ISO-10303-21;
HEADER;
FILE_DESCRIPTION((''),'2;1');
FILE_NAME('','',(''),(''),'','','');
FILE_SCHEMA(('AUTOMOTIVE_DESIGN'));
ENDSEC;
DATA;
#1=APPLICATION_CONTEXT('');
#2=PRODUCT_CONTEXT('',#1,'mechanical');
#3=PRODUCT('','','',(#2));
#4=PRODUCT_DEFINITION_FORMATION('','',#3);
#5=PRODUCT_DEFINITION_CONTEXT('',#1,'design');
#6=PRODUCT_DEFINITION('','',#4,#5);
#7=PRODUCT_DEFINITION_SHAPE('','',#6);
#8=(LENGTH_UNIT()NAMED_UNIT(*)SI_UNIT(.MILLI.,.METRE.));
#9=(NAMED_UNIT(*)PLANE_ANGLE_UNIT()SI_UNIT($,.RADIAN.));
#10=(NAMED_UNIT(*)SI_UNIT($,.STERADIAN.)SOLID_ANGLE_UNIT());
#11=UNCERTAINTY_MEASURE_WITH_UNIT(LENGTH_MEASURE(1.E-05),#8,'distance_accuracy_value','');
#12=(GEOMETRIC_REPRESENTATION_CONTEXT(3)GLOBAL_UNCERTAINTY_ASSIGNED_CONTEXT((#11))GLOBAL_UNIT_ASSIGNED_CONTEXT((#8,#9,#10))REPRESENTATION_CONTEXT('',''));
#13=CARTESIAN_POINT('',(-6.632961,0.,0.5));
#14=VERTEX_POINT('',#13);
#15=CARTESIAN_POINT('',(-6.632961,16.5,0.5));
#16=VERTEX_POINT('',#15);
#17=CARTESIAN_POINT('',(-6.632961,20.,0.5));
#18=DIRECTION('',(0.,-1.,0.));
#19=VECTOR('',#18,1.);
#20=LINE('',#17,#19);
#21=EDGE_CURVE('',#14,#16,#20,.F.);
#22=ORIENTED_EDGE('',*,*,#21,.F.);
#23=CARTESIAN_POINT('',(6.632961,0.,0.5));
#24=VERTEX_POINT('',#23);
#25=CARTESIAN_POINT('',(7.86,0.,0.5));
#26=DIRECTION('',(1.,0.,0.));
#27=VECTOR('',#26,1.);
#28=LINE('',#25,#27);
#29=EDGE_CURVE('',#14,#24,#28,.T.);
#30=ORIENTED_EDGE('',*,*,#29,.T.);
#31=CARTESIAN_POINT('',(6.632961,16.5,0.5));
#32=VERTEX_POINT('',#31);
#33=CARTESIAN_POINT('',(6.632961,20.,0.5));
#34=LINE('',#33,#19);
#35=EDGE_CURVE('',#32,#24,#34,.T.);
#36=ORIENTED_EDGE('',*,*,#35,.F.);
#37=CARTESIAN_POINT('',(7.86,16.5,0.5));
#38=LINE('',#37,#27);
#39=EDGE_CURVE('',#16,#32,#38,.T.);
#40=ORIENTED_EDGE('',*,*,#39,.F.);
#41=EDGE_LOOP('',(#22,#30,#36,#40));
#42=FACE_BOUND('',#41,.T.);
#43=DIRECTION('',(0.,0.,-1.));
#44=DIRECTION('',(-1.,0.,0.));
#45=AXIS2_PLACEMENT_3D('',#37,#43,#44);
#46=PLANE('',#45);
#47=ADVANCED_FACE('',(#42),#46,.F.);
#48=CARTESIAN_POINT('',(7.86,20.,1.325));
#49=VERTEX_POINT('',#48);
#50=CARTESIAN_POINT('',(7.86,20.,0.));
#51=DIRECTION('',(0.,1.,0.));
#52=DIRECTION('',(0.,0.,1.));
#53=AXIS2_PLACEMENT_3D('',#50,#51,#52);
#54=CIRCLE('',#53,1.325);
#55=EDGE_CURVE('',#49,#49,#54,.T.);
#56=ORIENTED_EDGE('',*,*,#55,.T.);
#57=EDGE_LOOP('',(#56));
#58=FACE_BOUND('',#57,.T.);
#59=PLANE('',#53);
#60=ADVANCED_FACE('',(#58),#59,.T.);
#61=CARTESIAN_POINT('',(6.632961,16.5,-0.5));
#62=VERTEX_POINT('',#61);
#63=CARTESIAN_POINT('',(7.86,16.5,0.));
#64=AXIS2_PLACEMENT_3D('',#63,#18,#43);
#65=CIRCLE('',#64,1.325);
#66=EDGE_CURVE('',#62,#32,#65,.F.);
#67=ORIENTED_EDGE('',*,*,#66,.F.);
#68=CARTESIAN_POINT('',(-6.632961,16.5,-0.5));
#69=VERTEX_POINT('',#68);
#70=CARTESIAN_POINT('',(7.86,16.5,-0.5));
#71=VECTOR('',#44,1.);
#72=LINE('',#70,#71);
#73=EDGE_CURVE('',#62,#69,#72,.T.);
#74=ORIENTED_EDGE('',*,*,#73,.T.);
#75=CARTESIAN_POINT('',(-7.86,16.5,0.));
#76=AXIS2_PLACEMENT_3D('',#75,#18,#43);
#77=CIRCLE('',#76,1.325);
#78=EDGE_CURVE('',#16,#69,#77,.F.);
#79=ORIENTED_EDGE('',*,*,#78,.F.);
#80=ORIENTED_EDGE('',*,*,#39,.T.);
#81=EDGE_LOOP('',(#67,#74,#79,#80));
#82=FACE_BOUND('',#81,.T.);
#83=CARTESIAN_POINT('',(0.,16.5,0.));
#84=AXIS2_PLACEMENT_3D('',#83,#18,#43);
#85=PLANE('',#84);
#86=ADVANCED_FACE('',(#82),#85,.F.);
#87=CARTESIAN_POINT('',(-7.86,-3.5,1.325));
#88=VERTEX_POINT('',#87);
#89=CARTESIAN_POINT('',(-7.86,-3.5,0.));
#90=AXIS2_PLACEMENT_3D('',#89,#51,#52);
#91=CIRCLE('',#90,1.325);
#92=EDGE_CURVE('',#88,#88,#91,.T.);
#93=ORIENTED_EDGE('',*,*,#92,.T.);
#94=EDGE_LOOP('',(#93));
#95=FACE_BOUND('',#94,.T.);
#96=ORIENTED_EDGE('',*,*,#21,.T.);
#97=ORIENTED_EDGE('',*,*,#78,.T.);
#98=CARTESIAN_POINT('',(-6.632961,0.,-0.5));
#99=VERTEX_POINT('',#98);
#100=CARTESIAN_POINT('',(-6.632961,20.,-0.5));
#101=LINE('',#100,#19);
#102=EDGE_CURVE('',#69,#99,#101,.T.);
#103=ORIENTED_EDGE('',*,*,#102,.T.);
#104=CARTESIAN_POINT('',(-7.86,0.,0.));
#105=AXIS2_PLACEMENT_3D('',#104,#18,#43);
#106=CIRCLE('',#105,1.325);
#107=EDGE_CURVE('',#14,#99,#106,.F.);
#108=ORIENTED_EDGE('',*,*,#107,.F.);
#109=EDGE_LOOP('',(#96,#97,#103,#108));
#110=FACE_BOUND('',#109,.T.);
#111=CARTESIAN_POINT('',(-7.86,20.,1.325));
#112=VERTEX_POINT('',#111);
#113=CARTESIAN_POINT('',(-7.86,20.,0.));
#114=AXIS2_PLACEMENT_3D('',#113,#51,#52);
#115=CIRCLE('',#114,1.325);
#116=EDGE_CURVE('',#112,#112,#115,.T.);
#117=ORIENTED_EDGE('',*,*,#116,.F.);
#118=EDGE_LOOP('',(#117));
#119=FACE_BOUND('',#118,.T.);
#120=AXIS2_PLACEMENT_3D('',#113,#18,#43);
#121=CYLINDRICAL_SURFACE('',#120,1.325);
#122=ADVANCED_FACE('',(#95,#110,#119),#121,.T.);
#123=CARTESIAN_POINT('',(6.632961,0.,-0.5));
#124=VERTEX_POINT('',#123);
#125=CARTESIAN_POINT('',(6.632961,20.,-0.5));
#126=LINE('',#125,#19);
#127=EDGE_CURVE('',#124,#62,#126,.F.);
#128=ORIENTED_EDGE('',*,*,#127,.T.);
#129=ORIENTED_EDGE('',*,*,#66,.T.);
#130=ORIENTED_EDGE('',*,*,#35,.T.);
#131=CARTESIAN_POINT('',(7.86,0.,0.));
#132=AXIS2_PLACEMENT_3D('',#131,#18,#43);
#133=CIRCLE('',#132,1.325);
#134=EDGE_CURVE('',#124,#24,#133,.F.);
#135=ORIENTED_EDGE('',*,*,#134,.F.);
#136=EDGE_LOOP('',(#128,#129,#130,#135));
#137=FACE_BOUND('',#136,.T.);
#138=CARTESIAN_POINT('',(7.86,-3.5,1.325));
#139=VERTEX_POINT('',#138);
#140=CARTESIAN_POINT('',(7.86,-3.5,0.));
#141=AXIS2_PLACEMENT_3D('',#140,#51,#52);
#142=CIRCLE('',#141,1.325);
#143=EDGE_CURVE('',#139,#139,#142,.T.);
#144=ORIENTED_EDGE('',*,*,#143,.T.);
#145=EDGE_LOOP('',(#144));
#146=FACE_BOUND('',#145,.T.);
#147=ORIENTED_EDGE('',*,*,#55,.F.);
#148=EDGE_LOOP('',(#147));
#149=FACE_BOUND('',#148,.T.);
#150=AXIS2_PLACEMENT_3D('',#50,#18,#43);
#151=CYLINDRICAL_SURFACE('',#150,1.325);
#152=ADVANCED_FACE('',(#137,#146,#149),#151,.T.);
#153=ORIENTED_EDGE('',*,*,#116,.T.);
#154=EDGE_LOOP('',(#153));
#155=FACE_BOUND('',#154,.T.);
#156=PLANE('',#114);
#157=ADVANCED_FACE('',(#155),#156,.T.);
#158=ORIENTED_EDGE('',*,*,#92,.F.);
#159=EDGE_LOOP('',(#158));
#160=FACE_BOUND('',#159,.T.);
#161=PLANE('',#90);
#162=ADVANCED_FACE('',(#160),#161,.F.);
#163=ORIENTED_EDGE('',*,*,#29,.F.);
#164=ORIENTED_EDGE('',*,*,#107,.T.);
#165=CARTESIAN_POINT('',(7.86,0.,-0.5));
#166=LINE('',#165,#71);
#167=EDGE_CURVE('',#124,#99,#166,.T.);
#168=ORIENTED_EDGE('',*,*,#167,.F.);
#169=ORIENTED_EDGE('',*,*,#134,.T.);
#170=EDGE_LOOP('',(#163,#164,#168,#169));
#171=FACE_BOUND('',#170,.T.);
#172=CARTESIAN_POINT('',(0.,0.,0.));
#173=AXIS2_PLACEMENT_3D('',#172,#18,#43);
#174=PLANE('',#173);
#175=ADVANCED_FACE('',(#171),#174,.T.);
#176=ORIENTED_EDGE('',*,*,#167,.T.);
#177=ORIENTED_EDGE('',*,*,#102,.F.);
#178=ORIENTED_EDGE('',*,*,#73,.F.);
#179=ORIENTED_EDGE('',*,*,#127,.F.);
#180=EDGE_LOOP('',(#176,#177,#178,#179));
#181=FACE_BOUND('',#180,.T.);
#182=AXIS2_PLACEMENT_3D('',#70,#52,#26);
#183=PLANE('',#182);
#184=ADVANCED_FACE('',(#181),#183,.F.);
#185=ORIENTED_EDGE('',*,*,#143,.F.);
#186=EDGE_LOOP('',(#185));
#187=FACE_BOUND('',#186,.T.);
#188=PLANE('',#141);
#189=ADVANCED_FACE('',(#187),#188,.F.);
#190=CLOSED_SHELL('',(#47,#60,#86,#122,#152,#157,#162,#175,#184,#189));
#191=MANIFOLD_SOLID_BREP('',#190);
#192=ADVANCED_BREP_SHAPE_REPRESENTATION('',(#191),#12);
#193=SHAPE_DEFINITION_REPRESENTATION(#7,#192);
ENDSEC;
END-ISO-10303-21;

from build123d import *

# Parameters (mm, degrees)
SKETCH1_W           = 15.72
SKETCH1_H           = 1
BOSS_EXTRUDE1_DEPTH = 16.5
SKETCH2_R           = 1.325
BOSS_EXTRUDE2_DEPTH = 11.75


with BuildPart() as part:
    # Sketch1 → Boss-Extrude1 (new body)
    with BuildSketch(Plane(origin=(0, 0, 0), x_dir=(1, 0, 0), z_dir=(0, 1, 0))):
        Rectangle(SKETCH1_W, SKETCH1_H)
    extrude(amount=BOSS_EXTRUDE1_DEPTH)

    # Sketch2 → Boss-Extrude2 (add, symmetric)
    with BuildSketch(Plane(origin=(0, 8.25, 0), x_dir=(1, 0, 0), z_dir=(0, 1, 0))):
        with Locations(Location((-7.86, 0, 0), (0, 0, 270))):
            Circle(SKETCH2_R)
        with Locations(Location((7.86, 0, 0), (0, 0, 270))):
            Circle(SKETCH2_R)
    extrude(amount=BOSS_EXTRUDE2_DEPTH, both=True)


solid = part.part
